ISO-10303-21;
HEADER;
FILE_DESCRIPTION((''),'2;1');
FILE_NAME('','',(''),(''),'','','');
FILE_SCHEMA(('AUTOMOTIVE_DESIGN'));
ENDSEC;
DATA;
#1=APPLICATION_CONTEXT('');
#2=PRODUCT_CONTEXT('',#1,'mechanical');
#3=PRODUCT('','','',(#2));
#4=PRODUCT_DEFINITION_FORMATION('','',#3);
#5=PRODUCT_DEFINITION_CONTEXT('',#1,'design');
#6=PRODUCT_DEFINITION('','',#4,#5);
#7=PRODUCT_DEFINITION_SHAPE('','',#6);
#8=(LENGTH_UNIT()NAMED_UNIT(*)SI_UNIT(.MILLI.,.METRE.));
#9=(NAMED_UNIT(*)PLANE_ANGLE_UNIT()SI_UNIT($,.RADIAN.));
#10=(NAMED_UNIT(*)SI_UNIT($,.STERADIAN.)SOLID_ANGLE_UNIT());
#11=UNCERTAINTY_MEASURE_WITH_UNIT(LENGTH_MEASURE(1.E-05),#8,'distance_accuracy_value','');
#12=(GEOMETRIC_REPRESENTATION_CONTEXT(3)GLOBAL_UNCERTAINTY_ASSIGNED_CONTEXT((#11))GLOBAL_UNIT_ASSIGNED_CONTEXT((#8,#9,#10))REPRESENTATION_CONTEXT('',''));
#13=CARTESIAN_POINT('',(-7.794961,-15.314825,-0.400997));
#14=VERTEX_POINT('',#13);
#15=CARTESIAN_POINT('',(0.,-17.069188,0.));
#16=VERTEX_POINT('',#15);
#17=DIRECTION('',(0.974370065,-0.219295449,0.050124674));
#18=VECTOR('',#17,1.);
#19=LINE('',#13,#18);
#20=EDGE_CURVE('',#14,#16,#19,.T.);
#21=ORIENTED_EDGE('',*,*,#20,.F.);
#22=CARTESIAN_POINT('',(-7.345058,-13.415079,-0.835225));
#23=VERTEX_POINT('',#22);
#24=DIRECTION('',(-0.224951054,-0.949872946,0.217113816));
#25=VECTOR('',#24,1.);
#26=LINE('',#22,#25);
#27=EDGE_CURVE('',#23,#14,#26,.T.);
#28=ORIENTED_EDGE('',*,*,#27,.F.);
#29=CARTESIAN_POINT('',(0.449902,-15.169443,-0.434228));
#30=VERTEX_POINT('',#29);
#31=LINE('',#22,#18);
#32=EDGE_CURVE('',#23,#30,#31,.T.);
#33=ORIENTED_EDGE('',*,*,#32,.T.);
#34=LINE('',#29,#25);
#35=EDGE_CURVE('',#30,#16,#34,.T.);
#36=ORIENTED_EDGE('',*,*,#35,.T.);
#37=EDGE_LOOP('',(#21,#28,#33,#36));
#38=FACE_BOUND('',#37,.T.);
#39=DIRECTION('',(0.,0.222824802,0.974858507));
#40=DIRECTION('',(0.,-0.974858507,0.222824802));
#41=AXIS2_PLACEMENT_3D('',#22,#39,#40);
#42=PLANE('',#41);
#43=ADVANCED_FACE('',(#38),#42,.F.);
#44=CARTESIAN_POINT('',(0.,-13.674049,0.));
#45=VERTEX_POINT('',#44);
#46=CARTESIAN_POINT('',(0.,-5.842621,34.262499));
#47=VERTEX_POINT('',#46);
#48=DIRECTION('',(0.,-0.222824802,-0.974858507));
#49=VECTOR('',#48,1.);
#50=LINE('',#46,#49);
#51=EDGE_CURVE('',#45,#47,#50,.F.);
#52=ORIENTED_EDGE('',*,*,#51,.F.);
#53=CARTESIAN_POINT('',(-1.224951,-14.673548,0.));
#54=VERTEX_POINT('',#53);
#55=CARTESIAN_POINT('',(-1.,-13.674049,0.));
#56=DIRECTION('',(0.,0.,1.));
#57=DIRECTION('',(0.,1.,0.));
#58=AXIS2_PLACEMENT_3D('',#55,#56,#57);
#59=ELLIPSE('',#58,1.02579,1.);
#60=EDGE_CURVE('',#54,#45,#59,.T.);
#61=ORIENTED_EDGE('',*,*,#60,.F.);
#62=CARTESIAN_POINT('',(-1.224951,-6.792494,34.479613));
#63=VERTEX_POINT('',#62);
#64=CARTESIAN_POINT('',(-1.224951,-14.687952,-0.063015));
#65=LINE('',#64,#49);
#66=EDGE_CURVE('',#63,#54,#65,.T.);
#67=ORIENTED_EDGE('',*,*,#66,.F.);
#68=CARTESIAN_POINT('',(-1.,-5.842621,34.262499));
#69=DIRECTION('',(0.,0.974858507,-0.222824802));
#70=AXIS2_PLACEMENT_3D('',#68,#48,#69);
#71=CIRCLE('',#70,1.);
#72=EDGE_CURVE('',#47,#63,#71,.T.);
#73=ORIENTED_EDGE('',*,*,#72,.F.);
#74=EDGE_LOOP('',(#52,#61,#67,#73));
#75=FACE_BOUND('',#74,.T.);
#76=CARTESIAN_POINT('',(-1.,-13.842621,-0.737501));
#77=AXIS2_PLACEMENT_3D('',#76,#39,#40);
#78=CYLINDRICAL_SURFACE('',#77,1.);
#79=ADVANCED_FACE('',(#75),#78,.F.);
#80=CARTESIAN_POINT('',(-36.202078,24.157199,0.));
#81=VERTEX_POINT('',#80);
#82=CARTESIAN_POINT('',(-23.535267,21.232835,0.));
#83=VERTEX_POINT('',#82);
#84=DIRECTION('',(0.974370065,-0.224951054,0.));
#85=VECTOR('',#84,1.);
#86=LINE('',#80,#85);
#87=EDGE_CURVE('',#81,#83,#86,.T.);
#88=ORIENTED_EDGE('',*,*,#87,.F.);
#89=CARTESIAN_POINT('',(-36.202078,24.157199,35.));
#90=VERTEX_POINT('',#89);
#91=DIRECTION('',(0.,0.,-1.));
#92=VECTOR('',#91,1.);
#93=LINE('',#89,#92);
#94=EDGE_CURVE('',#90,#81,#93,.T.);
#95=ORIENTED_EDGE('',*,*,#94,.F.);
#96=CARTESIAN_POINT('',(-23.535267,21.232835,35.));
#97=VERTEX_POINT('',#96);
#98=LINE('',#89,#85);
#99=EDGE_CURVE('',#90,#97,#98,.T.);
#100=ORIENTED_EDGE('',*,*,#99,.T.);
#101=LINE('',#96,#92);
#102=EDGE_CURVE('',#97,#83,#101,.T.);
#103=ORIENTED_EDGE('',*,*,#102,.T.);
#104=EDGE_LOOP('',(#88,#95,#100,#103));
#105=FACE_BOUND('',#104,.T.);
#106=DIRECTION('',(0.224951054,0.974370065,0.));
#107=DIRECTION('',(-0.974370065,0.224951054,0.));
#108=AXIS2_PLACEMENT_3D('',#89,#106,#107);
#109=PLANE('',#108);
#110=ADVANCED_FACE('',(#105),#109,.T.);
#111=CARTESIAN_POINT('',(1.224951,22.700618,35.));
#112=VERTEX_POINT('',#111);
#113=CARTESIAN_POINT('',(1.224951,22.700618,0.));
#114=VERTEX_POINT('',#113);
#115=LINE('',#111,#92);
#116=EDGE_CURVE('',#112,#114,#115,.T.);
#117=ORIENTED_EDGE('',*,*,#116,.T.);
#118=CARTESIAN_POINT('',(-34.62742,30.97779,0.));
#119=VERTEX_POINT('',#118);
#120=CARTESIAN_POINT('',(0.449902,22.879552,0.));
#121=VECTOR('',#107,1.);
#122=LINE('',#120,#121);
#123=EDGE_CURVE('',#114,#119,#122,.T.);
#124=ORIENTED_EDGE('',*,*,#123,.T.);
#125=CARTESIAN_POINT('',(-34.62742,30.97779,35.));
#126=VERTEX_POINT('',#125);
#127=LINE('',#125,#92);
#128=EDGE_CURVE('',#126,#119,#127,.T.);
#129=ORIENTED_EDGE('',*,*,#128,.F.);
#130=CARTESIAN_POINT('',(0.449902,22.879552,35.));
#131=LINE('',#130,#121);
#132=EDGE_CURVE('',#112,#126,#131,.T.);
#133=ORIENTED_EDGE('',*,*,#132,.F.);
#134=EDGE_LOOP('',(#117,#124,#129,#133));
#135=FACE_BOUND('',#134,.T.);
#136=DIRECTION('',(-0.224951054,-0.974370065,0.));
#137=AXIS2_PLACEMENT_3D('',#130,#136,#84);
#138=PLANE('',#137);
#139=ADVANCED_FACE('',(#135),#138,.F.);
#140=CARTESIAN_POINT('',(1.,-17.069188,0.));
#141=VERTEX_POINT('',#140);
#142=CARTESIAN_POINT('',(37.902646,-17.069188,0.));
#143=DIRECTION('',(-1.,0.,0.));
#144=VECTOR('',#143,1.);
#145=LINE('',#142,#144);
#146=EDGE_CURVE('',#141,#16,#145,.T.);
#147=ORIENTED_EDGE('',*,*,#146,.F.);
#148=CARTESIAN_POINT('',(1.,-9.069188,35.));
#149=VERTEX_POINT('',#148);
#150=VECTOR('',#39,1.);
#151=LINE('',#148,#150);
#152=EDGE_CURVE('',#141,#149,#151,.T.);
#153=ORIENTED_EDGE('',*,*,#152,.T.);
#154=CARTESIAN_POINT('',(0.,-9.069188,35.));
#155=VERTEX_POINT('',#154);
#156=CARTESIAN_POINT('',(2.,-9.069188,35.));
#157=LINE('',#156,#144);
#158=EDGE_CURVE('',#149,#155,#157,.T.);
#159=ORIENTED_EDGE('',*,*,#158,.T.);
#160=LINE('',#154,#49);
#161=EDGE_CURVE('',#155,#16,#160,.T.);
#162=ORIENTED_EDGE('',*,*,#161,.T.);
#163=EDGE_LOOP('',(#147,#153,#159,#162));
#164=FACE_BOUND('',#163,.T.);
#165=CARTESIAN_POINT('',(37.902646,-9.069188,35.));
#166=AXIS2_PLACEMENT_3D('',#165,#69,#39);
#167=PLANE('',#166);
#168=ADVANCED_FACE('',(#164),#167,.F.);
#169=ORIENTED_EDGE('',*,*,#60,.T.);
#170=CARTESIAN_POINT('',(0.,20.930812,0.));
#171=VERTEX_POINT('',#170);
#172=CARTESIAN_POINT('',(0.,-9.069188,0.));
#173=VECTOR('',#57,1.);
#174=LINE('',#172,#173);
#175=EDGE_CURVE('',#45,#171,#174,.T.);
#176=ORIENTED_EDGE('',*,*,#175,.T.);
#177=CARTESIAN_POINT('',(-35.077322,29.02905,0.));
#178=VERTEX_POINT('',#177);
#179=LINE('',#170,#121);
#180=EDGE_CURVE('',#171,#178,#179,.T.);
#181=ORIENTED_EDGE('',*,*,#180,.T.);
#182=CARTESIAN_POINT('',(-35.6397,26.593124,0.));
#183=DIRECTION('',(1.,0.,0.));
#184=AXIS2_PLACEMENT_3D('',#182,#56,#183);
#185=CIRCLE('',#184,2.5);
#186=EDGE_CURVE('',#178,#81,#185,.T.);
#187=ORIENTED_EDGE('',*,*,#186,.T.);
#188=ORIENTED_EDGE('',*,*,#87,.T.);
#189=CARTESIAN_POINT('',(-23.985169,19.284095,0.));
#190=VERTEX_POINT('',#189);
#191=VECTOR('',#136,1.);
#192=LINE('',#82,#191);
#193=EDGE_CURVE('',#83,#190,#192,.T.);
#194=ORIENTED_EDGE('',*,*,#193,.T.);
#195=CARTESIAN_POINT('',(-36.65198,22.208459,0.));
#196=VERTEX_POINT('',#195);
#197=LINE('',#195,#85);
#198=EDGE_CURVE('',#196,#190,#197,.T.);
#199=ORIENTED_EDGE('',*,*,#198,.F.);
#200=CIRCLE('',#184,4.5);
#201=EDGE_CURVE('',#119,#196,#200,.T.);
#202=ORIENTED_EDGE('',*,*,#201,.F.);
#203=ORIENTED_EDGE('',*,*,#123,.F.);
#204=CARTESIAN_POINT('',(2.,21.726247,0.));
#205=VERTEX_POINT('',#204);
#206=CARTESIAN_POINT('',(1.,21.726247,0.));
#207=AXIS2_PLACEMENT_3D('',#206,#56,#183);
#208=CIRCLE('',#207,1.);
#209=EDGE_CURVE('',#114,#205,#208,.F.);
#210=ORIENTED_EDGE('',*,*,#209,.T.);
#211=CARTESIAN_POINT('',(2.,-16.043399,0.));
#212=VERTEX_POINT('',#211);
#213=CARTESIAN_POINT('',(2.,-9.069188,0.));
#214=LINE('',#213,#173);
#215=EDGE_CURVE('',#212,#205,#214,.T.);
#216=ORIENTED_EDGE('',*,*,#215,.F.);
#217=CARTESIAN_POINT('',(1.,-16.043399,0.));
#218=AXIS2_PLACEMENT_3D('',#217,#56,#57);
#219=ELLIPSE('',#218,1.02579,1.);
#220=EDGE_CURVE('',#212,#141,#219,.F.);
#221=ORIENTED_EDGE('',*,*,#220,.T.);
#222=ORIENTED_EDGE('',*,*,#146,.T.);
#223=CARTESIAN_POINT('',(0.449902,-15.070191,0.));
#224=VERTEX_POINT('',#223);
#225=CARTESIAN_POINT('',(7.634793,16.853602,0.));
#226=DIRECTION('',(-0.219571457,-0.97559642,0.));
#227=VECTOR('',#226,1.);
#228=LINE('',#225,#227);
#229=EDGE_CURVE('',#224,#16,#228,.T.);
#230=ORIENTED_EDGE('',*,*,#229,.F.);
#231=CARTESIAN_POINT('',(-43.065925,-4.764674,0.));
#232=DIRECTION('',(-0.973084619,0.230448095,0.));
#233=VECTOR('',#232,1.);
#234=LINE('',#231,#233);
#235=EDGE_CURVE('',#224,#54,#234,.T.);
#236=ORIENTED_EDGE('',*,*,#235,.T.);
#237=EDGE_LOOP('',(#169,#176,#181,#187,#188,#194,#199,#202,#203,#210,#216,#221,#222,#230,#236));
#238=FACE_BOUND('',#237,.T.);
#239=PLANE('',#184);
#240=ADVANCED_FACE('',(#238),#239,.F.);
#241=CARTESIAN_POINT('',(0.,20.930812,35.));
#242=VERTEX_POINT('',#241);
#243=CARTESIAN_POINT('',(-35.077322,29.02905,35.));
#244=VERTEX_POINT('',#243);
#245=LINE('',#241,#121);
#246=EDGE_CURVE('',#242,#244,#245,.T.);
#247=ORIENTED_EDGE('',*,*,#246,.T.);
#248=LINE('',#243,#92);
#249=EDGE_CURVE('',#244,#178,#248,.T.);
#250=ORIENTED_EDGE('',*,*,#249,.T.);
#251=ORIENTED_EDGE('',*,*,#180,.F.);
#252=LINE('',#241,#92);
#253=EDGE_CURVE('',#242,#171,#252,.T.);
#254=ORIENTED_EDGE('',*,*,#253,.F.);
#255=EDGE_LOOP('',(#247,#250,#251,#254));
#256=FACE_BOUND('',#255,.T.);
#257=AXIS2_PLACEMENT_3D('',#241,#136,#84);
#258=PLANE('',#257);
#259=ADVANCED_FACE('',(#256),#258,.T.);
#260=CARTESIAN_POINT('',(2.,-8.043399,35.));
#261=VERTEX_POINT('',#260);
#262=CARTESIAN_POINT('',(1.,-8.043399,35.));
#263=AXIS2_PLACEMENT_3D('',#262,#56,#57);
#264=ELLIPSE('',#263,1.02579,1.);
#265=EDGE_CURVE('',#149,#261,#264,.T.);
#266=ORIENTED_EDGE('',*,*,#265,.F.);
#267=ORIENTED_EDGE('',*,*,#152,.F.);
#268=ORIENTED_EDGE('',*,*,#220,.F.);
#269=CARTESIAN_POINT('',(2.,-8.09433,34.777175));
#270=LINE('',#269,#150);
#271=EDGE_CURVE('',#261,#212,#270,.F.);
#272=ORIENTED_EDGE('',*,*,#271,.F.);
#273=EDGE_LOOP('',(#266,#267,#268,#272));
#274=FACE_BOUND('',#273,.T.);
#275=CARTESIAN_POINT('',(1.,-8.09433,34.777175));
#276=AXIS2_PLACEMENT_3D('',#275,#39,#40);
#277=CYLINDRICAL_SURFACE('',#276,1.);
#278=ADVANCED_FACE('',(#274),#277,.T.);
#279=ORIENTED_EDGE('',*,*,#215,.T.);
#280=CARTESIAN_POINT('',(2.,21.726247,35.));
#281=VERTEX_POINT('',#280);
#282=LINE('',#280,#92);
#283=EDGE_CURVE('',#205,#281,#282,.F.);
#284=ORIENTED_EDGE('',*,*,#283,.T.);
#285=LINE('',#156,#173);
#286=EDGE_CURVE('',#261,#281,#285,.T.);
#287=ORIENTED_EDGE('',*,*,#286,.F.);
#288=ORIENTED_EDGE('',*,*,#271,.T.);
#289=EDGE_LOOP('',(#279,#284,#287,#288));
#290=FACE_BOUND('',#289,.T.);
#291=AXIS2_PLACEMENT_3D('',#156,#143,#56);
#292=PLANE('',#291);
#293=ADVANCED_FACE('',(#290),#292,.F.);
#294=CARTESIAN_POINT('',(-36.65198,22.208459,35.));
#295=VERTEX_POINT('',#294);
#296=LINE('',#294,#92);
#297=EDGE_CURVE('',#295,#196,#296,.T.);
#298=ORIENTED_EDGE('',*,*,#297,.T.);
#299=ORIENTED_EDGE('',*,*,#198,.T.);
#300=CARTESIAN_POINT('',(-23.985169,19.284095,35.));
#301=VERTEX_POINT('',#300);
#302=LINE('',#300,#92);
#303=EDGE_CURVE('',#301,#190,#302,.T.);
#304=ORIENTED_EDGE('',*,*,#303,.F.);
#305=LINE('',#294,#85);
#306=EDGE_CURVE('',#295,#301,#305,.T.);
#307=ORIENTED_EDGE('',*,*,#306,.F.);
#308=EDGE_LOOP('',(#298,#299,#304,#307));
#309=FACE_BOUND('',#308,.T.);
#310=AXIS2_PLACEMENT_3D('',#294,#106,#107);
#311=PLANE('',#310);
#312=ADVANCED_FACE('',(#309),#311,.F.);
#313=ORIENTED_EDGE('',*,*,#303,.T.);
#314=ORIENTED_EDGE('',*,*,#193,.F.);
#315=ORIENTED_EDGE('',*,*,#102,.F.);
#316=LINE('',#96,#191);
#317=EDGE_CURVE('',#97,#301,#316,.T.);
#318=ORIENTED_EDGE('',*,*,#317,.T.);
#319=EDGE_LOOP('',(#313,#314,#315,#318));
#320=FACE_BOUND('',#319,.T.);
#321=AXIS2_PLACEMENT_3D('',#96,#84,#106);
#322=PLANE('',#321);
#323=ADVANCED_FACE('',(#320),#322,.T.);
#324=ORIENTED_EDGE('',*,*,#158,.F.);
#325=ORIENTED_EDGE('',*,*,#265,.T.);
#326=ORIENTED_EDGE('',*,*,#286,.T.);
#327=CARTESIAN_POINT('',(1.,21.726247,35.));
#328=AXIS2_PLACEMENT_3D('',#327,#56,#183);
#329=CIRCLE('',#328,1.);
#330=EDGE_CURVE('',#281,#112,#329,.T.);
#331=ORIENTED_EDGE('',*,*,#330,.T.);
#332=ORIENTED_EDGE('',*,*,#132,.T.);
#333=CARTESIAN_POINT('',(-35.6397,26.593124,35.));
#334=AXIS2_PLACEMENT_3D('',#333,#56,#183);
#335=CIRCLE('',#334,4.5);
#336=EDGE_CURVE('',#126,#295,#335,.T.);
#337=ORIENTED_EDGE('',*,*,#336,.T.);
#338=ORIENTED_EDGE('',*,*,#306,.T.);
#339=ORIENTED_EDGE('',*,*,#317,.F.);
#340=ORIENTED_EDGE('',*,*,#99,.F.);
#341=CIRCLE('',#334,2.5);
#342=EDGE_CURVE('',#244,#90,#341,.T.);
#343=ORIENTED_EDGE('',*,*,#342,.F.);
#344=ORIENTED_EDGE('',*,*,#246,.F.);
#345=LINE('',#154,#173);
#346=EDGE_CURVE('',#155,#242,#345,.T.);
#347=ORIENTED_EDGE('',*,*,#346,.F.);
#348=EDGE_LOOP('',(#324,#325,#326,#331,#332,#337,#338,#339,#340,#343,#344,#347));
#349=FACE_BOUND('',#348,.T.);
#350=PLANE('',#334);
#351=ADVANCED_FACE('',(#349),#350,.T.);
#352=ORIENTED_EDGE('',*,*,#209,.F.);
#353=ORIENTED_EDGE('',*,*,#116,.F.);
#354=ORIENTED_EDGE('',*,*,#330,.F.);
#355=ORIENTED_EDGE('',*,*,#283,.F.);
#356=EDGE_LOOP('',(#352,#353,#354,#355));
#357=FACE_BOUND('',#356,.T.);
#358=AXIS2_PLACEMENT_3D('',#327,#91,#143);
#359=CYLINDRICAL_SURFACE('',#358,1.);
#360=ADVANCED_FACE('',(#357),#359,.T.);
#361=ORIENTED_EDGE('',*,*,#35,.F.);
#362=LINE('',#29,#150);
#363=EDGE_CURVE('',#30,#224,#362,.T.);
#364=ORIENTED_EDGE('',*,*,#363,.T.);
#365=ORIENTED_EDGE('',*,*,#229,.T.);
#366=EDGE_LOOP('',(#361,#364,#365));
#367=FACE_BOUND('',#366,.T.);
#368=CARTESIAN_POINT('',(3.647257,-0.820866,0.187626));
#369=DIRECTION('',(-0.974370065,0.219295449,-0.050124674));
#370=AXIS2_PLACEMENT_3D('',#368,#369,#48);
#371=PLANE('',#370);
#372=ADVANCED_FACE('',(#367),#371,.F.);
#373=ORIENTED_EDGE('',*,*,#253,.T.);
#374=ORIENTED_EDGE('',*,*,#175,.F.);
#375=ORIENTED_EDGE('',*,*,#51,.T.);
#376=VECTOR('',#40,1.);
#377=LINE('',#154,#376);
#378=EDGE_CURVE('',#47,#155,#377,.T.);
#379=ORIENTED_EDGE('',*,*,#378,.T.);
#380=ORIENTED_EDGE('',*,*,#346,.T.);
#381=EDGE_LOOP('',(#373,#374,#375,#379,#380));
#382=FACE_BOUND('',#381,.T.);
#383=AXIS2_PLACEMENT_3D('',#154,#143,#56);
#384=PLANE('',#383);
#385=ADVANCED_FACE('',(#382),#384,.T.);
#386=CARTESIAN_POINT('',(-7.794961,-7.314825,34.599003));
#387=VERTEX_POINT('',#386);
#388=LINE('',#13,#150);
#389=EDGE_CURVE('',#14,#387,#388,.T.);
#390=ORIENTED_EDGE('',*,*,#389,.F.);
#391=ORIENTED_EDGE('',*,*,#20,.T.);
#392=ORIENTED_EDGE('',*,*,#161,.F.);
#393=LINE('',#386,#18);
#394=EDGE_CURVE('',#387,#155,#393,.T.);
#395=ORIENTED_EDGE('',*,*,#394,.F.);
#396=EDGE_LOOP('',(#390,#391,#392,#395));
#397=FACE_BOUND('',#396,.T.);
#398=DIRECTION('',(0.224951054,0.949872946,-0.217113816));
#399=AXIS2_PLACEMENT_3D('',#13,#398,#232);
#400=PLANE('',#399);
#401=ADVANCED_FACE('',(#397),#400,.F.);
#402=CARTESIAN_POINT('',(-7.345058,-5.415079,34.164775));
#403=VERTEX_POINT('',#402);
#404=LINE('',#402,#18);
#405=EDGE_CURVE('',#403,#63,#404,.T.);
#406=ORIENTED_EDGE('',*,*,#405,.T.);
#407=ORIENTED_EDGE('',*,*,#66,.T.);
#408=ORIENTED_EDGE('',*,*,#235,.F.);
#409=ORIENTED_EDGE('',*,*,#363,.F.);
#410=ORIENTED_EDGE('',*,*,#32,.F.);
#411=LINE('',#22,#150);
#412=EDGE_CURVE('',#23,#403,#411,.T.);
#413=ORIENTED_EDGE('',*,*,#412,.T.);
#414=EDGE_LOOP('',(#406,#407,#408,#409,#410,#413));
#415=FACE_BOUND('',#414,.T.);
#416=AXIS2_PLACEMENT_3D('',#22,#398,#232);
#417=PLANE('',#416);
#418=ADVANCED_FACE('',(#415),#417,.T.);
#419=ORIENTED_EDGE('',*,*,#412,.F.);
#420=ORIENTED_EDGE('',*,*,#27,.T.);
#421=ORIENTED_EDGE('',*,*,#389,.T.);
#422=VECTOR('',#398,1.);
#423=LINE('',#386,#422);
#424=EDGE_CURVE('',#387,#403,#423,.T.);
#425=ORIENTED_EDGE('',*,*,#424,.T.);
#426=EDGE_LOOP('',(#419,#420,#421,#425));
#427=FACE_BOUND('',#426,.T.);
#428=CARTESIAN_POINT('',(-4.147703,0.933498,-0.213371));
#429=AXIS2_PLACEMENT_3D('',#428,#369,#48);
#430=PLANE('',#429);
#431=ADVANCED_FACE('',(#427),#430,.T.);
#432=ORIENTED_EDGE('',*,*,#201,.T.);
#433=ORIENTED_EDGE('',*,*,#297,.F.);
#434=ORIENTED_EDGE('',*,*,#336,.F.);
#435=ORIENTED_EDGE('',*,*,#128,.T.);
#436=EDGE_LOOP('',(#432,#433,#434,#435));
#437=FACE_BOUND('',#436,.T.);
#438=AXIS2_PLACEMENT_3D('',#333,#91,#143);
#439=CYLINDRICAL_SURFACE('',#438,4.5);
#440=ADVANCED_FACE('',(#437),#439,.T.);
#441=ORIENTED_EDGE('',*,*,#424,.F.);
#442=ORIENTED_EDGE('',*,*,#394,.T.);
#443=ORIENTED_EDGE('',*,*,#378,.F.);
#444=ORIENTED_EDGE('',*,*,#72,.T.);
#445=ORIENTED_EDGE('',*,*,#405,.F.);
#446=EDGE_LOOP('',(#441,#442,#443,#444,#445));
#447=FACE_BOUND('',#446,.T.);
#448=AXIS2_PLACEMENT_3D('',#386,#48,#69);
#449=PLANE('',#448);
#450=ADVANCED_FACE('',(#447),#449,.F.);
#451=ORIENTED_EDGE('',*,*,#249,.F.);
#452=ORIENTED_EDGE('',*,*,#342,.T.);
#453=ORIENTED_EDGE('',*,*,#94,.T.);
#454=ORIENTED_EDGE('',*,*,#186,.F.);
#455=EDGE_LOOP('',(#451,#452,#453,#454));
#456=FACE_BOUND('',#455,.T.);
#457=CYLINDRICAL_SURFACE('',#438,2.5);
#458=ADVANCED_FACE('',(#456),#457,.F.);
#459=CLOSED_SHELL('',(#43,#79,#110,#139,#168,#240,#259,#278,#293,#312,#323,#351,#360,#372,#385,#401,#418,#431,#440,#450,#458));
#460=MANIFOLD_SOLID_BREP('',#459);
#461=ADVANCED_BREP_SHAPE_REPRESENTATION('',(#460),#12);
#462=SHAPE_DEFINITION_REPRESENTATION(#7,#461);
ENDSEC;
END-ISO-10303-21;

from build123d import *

# Parameters (mm, degrees)
EXTRUS_O_FINA1_DEPTH     = 35
RESSALTO_EXTRUS_O1_DEPTH = 2
ESBO_O4_W                = 35.902646142
ESBO_O4_H                = 2
EXTRUS_O_FINA2_DEPTH     = 8
FILETE1_R                = 1


with BuildPart() as part:
    # Esboço1 → Extrusão-Fina1 (new body)
    with BuildSketch(Plane.XY):
        with BuildLine():
            Line((0, -9.06918845), (0, 20.93081155))
            Line((0, 20.93081155), (-35.077322332, 29.029049507))
            ThreePointArc((-35.077322332, 29.029049507), (-38.07562513, 27.155501981), (-36.202077604, 24.157199183))
            Line((-36.202077604, 24.157199183), (-23.535266762, 21.232835476))
            Line((-23.535266762, 21.232835476), (-23.98516887, 19.284095347))
            Line((-23.98516887, 19.284095347), (-36.651979713, 22.208459053))
            ThreePointArc((-36.651979713, 22.208459053), (-40.02436526, 27.605404089), (-34.627420224, 30.977789636))
            Line((-34.627420224, 30.977789636), (2, 22.521683384))
            Line((2, 22.521683384), (2, -9.06918845))
            Line((2, -9.06918845), (0, -9.06918845))
        make_face()
    extrude(amount=EXTRUS_O_FINA1_DEPTH)

    # Esboço2 → Ressalto-extrusão1 (add)
    with BuildSketch(Plane(origin=(0, 0, 0), x_dir=(0, 0, -1), z_dir=(1, 0, 0))):
        Polygon((0, -9.06918845), (-35, -9.06918845), (0, -17.06918845), align=None)
    extrude(amount=RESSALTO_EXTRUS_O1_DEPTH)

    # Esboço4 → Extrusão-Fina2 (add)
    with BuildSketch(Plane(origin=(3.647257489, -0.820865703, 0.187626446), x_dir=(0, 0.2228248015021411, 0.9748585065718673), z_dir=(0.9743700647852352, -0.21929544888942776, 0.050124674031869196))):
        with Locations((14.147884543, 15.213560322)):
            Rectangle(ESBO_O4_W, ESBO_O4_H)
    extrude(amount=-EXTRUS_O_FINA2_DEPTH)

    # Filete1
    filete1_edges = [part.edges().sort_by_distance(p)[0] for p in [
        (2, 22.521683384, 17.5),
        (2, -13.06918845, 17.5),
        (0, -11.015914782, 17.271313991),
    ]]
    fillet(filete1_edges, radius=FILETE1_R)


solid = part.part
